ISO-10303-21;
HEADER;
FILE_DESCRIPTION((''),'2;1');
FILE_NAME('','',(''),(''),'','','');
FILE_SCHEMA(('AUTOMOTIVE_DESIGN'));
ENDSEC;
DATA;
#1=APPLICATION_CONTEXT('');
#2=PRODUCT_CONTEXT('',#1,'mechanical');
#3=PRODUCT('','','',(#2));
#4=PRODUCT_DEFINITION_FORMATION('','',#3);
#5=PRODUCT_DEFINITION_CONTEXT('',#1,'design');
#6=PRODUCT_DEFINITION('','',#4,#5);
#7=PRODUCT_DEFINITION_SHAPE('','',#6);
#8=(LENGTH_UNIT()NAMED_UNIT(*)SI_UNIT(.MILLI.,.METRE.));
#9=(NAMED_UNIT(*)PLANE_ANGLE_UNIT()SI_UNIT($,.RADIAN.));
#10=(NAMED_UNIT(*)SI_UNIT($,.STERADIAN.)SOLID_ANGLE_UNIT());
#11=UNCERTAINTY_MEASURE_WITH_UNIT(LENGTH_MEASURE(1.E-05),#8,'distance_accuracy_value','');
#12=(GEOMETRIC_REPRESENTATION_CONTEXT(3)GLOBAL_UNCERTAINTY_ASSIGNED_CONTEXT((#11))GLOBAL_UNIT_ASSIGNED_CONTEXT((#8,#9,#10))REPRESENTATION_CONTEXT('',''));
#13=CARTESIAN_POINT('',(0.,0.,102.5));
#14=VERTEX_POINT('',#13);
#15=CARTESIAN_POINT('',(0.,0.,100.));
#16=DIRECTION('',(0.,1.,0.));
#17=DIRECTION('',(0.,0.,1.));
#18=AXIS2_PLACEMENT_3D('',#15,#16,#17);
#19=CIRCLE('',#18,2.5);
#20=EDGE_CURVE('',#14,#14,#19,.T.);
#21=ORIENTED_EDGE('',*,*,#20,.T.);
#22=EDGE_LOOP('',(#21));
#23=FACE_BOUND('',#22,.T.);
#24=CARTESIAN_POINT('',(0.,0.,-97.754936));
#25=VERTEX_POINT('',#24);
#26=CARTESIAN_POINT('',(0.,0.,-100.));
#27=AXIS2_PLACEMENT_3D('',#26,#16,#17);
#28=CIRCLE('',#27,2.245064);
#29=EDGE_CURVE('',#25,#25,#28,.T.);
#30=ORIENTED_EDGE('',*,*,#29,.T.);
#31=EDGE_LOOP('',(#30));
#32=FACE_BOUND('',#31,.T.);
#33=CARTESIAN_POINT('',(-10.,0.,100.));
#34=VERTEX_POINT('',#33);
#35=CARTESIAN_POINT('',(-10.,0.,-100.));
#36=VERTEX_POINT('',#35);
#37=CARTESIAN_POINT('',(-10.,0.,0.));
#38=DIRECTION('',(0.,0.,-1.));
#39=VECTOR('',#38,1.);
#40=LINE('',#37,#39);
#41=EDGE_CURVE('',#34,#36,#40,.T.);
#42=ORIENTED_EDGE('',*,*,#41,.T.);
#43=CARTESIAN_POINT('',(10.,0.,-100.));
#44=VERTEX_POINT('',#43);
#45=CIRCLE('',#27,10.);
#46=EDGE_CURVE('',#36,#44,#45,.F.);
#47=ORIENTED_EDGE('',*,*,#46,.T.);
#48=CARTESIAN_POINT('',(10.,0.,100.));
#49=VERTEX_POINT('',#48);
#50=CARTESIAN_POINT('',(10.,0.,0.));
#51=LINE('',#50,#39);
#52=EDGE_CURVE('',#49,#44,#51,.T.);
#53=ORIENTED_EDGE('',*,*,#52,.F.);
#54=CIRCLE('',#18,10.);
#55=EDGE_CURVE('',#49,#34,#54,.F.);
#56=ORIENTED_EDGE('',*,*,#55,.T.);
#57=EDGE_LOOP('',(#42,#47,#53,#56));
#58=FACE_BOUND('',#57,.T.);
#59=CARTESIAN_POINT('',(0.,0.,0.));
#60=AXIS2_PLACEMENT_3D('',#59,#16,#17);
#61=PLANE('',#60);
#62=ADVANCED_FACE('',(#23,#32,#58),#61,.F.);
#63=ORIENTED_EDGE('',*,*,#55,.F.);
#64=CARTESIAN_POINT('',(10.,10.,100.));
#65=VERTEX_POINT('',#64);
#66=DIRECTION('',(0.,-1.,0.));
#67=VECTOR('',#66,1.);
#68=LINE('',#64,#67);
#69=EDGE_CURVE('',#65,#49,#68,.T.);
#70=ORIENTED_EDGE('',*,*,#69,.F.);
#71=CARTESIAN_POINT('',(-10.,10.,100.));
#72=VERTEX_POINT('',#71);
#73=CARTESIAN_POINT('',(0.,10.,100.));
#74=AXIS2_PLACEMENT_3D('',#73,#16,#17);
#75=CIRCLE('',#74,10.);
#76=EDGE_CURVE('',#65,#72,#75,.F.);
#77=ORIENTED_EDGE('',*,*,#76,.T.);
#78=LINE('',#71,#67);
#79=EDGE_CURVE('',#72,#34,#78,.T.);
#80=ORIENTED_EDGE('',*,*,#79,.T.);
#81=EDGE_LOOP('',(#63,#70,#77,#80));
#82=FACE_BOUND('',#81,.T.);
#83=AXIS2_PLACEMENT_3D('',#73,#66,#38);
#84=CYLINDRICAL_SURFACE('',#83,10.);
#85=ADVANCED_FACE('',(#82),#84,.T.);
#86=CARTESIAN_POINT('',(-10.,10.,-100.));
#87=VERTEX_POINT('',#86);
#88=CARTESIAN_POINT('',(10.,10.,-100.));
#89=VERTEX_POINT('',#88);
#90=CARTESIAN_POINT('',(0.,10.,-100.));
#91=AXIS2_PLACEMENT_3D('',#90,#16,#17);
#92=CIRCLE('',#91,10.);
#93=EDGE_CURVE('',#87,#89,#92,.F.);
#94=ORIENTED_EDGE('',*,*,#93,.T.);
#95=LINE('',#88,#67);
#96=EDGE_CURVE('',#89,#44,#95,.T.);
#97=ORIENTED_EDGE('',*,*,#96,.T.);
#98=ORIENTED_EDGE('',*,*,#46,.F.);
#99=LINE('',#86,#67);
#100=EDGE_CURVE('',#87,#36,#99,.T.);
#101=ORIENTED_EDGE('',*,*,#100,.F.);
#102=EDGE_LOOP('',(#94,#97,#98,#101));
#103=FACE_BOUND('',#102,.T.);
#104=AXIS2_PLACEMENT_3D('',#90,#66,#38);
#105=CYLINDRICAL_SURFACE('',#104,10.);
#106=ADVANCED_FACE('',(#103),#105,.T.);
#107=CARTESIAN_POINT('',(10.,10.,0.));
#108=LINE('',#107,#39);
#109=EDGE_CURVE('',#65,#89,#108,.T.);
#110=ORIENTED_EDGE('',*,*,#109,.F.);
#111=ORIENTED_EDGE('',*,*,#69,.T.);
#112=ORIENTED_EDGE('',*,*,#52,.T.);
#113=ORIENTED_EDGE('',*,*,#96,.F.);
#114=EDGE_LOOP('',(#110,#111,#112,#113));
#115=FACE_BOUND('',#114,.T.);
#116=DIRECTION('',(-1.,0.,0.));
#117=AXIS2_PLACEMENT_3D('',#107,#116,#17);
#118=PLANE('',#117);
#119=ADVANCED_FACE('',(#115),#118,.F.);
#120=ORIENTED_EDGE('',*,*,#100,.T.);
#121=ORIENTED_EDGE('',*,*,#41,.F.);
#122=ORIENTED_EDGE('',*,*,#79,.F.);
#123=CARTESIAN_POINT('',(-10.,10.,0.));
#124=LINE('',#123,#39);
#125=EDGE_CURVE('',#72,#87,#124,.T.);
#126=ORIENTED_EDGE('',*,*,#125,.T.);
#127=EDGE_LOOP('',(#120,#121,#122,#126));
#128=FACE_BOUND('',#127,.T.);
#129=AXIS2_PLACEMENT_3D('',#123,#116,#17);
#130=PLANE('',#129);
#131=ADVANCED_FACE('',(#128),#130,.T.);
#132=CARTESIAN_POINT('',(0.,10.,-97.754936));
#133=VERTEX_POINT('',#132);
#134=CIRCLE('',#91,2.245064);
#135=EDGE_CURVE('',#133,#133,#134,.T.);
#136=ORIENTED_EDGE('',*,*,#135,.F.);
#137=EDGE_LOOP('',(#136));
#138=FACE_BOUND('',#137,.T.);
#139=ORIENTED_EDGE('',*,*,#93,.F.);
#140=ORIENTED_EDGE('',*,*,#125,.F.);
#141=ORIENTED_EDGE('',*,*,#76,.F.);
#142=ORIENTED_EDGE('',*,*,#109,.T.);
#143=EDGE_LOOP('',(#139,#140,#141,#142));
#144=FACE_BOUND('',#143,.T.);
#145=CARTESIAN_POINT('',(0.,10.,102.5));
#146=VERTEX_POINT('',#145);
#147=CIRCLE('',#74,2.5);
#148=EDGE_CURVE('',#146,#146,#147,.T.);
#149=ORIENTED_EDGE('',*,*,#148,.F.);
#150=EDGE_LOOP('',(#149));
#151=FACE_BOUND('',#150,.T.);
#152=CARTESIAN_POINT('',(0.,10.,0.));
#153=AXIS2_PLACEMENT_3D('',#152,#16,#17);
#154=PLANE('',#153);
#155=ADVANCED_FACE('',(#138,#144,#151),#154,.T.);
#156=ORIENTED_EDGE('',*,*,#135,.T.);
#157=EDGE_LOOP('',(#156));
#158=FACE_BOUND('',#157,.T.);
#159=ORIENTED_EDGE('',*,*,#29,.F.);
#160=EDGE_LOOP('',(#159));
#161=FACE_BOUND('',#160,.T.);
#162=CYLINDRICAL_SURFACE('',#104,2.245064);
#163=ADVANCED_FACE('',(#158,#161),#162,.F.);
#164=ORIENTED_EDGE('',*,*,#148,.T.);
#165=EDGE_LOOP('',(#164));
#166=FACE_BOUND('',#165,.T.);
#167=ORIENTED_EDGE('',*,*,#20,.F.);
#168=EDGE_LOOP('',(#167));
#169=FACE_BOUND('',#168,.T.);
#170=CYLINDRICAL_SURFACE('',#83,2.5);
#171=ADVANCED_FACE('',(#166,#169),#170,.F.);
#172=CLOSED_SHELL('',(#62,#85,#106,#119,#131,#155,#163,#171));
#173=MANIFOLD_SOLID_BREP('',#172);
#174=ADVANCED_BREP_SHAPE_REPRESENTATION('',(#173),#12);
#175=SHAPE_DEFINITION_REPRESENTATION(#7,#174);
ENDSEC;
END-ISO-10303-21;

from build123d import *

# Parameters (mm, degrees)
SKETCH1_R           = 2.24506403
SKETCH1_R_2         = 2.5
BOSS_EXTRUDE1_DEPTH = 10


with BuildPart() as part:
    # Sketch1 → Boss-Extrude1 (new body)
    with BuildSketch(Plane(origin=(0, 0, 0), x_dir=(1, 0, 0), z_dir=(0, 1, 0))):
        with BuildLine():
            ThreePointArc((10, -100), (0, -110), (-10, -100))
            Line((-10, -100), (-10, 100))
            ThreePointArc((-10, 100), (0, 110), (10, 100))
            Line((10, 100), (10, -100))
        make_face()
        with Locations(Location((0, 100, 0), (0, 0, 270))):
            Circle(SKETCH1_R, mode=Mode.SUBTRACT)
        with Locations(Location((0, -100, 0), (0, 0, 270))):
            Circle(SKETCH1_R_2, mode=Mode.SUBTRACT)
    extrude(amount=BOSS_EXTRUDE1_DEPTH)


solid = part.part
